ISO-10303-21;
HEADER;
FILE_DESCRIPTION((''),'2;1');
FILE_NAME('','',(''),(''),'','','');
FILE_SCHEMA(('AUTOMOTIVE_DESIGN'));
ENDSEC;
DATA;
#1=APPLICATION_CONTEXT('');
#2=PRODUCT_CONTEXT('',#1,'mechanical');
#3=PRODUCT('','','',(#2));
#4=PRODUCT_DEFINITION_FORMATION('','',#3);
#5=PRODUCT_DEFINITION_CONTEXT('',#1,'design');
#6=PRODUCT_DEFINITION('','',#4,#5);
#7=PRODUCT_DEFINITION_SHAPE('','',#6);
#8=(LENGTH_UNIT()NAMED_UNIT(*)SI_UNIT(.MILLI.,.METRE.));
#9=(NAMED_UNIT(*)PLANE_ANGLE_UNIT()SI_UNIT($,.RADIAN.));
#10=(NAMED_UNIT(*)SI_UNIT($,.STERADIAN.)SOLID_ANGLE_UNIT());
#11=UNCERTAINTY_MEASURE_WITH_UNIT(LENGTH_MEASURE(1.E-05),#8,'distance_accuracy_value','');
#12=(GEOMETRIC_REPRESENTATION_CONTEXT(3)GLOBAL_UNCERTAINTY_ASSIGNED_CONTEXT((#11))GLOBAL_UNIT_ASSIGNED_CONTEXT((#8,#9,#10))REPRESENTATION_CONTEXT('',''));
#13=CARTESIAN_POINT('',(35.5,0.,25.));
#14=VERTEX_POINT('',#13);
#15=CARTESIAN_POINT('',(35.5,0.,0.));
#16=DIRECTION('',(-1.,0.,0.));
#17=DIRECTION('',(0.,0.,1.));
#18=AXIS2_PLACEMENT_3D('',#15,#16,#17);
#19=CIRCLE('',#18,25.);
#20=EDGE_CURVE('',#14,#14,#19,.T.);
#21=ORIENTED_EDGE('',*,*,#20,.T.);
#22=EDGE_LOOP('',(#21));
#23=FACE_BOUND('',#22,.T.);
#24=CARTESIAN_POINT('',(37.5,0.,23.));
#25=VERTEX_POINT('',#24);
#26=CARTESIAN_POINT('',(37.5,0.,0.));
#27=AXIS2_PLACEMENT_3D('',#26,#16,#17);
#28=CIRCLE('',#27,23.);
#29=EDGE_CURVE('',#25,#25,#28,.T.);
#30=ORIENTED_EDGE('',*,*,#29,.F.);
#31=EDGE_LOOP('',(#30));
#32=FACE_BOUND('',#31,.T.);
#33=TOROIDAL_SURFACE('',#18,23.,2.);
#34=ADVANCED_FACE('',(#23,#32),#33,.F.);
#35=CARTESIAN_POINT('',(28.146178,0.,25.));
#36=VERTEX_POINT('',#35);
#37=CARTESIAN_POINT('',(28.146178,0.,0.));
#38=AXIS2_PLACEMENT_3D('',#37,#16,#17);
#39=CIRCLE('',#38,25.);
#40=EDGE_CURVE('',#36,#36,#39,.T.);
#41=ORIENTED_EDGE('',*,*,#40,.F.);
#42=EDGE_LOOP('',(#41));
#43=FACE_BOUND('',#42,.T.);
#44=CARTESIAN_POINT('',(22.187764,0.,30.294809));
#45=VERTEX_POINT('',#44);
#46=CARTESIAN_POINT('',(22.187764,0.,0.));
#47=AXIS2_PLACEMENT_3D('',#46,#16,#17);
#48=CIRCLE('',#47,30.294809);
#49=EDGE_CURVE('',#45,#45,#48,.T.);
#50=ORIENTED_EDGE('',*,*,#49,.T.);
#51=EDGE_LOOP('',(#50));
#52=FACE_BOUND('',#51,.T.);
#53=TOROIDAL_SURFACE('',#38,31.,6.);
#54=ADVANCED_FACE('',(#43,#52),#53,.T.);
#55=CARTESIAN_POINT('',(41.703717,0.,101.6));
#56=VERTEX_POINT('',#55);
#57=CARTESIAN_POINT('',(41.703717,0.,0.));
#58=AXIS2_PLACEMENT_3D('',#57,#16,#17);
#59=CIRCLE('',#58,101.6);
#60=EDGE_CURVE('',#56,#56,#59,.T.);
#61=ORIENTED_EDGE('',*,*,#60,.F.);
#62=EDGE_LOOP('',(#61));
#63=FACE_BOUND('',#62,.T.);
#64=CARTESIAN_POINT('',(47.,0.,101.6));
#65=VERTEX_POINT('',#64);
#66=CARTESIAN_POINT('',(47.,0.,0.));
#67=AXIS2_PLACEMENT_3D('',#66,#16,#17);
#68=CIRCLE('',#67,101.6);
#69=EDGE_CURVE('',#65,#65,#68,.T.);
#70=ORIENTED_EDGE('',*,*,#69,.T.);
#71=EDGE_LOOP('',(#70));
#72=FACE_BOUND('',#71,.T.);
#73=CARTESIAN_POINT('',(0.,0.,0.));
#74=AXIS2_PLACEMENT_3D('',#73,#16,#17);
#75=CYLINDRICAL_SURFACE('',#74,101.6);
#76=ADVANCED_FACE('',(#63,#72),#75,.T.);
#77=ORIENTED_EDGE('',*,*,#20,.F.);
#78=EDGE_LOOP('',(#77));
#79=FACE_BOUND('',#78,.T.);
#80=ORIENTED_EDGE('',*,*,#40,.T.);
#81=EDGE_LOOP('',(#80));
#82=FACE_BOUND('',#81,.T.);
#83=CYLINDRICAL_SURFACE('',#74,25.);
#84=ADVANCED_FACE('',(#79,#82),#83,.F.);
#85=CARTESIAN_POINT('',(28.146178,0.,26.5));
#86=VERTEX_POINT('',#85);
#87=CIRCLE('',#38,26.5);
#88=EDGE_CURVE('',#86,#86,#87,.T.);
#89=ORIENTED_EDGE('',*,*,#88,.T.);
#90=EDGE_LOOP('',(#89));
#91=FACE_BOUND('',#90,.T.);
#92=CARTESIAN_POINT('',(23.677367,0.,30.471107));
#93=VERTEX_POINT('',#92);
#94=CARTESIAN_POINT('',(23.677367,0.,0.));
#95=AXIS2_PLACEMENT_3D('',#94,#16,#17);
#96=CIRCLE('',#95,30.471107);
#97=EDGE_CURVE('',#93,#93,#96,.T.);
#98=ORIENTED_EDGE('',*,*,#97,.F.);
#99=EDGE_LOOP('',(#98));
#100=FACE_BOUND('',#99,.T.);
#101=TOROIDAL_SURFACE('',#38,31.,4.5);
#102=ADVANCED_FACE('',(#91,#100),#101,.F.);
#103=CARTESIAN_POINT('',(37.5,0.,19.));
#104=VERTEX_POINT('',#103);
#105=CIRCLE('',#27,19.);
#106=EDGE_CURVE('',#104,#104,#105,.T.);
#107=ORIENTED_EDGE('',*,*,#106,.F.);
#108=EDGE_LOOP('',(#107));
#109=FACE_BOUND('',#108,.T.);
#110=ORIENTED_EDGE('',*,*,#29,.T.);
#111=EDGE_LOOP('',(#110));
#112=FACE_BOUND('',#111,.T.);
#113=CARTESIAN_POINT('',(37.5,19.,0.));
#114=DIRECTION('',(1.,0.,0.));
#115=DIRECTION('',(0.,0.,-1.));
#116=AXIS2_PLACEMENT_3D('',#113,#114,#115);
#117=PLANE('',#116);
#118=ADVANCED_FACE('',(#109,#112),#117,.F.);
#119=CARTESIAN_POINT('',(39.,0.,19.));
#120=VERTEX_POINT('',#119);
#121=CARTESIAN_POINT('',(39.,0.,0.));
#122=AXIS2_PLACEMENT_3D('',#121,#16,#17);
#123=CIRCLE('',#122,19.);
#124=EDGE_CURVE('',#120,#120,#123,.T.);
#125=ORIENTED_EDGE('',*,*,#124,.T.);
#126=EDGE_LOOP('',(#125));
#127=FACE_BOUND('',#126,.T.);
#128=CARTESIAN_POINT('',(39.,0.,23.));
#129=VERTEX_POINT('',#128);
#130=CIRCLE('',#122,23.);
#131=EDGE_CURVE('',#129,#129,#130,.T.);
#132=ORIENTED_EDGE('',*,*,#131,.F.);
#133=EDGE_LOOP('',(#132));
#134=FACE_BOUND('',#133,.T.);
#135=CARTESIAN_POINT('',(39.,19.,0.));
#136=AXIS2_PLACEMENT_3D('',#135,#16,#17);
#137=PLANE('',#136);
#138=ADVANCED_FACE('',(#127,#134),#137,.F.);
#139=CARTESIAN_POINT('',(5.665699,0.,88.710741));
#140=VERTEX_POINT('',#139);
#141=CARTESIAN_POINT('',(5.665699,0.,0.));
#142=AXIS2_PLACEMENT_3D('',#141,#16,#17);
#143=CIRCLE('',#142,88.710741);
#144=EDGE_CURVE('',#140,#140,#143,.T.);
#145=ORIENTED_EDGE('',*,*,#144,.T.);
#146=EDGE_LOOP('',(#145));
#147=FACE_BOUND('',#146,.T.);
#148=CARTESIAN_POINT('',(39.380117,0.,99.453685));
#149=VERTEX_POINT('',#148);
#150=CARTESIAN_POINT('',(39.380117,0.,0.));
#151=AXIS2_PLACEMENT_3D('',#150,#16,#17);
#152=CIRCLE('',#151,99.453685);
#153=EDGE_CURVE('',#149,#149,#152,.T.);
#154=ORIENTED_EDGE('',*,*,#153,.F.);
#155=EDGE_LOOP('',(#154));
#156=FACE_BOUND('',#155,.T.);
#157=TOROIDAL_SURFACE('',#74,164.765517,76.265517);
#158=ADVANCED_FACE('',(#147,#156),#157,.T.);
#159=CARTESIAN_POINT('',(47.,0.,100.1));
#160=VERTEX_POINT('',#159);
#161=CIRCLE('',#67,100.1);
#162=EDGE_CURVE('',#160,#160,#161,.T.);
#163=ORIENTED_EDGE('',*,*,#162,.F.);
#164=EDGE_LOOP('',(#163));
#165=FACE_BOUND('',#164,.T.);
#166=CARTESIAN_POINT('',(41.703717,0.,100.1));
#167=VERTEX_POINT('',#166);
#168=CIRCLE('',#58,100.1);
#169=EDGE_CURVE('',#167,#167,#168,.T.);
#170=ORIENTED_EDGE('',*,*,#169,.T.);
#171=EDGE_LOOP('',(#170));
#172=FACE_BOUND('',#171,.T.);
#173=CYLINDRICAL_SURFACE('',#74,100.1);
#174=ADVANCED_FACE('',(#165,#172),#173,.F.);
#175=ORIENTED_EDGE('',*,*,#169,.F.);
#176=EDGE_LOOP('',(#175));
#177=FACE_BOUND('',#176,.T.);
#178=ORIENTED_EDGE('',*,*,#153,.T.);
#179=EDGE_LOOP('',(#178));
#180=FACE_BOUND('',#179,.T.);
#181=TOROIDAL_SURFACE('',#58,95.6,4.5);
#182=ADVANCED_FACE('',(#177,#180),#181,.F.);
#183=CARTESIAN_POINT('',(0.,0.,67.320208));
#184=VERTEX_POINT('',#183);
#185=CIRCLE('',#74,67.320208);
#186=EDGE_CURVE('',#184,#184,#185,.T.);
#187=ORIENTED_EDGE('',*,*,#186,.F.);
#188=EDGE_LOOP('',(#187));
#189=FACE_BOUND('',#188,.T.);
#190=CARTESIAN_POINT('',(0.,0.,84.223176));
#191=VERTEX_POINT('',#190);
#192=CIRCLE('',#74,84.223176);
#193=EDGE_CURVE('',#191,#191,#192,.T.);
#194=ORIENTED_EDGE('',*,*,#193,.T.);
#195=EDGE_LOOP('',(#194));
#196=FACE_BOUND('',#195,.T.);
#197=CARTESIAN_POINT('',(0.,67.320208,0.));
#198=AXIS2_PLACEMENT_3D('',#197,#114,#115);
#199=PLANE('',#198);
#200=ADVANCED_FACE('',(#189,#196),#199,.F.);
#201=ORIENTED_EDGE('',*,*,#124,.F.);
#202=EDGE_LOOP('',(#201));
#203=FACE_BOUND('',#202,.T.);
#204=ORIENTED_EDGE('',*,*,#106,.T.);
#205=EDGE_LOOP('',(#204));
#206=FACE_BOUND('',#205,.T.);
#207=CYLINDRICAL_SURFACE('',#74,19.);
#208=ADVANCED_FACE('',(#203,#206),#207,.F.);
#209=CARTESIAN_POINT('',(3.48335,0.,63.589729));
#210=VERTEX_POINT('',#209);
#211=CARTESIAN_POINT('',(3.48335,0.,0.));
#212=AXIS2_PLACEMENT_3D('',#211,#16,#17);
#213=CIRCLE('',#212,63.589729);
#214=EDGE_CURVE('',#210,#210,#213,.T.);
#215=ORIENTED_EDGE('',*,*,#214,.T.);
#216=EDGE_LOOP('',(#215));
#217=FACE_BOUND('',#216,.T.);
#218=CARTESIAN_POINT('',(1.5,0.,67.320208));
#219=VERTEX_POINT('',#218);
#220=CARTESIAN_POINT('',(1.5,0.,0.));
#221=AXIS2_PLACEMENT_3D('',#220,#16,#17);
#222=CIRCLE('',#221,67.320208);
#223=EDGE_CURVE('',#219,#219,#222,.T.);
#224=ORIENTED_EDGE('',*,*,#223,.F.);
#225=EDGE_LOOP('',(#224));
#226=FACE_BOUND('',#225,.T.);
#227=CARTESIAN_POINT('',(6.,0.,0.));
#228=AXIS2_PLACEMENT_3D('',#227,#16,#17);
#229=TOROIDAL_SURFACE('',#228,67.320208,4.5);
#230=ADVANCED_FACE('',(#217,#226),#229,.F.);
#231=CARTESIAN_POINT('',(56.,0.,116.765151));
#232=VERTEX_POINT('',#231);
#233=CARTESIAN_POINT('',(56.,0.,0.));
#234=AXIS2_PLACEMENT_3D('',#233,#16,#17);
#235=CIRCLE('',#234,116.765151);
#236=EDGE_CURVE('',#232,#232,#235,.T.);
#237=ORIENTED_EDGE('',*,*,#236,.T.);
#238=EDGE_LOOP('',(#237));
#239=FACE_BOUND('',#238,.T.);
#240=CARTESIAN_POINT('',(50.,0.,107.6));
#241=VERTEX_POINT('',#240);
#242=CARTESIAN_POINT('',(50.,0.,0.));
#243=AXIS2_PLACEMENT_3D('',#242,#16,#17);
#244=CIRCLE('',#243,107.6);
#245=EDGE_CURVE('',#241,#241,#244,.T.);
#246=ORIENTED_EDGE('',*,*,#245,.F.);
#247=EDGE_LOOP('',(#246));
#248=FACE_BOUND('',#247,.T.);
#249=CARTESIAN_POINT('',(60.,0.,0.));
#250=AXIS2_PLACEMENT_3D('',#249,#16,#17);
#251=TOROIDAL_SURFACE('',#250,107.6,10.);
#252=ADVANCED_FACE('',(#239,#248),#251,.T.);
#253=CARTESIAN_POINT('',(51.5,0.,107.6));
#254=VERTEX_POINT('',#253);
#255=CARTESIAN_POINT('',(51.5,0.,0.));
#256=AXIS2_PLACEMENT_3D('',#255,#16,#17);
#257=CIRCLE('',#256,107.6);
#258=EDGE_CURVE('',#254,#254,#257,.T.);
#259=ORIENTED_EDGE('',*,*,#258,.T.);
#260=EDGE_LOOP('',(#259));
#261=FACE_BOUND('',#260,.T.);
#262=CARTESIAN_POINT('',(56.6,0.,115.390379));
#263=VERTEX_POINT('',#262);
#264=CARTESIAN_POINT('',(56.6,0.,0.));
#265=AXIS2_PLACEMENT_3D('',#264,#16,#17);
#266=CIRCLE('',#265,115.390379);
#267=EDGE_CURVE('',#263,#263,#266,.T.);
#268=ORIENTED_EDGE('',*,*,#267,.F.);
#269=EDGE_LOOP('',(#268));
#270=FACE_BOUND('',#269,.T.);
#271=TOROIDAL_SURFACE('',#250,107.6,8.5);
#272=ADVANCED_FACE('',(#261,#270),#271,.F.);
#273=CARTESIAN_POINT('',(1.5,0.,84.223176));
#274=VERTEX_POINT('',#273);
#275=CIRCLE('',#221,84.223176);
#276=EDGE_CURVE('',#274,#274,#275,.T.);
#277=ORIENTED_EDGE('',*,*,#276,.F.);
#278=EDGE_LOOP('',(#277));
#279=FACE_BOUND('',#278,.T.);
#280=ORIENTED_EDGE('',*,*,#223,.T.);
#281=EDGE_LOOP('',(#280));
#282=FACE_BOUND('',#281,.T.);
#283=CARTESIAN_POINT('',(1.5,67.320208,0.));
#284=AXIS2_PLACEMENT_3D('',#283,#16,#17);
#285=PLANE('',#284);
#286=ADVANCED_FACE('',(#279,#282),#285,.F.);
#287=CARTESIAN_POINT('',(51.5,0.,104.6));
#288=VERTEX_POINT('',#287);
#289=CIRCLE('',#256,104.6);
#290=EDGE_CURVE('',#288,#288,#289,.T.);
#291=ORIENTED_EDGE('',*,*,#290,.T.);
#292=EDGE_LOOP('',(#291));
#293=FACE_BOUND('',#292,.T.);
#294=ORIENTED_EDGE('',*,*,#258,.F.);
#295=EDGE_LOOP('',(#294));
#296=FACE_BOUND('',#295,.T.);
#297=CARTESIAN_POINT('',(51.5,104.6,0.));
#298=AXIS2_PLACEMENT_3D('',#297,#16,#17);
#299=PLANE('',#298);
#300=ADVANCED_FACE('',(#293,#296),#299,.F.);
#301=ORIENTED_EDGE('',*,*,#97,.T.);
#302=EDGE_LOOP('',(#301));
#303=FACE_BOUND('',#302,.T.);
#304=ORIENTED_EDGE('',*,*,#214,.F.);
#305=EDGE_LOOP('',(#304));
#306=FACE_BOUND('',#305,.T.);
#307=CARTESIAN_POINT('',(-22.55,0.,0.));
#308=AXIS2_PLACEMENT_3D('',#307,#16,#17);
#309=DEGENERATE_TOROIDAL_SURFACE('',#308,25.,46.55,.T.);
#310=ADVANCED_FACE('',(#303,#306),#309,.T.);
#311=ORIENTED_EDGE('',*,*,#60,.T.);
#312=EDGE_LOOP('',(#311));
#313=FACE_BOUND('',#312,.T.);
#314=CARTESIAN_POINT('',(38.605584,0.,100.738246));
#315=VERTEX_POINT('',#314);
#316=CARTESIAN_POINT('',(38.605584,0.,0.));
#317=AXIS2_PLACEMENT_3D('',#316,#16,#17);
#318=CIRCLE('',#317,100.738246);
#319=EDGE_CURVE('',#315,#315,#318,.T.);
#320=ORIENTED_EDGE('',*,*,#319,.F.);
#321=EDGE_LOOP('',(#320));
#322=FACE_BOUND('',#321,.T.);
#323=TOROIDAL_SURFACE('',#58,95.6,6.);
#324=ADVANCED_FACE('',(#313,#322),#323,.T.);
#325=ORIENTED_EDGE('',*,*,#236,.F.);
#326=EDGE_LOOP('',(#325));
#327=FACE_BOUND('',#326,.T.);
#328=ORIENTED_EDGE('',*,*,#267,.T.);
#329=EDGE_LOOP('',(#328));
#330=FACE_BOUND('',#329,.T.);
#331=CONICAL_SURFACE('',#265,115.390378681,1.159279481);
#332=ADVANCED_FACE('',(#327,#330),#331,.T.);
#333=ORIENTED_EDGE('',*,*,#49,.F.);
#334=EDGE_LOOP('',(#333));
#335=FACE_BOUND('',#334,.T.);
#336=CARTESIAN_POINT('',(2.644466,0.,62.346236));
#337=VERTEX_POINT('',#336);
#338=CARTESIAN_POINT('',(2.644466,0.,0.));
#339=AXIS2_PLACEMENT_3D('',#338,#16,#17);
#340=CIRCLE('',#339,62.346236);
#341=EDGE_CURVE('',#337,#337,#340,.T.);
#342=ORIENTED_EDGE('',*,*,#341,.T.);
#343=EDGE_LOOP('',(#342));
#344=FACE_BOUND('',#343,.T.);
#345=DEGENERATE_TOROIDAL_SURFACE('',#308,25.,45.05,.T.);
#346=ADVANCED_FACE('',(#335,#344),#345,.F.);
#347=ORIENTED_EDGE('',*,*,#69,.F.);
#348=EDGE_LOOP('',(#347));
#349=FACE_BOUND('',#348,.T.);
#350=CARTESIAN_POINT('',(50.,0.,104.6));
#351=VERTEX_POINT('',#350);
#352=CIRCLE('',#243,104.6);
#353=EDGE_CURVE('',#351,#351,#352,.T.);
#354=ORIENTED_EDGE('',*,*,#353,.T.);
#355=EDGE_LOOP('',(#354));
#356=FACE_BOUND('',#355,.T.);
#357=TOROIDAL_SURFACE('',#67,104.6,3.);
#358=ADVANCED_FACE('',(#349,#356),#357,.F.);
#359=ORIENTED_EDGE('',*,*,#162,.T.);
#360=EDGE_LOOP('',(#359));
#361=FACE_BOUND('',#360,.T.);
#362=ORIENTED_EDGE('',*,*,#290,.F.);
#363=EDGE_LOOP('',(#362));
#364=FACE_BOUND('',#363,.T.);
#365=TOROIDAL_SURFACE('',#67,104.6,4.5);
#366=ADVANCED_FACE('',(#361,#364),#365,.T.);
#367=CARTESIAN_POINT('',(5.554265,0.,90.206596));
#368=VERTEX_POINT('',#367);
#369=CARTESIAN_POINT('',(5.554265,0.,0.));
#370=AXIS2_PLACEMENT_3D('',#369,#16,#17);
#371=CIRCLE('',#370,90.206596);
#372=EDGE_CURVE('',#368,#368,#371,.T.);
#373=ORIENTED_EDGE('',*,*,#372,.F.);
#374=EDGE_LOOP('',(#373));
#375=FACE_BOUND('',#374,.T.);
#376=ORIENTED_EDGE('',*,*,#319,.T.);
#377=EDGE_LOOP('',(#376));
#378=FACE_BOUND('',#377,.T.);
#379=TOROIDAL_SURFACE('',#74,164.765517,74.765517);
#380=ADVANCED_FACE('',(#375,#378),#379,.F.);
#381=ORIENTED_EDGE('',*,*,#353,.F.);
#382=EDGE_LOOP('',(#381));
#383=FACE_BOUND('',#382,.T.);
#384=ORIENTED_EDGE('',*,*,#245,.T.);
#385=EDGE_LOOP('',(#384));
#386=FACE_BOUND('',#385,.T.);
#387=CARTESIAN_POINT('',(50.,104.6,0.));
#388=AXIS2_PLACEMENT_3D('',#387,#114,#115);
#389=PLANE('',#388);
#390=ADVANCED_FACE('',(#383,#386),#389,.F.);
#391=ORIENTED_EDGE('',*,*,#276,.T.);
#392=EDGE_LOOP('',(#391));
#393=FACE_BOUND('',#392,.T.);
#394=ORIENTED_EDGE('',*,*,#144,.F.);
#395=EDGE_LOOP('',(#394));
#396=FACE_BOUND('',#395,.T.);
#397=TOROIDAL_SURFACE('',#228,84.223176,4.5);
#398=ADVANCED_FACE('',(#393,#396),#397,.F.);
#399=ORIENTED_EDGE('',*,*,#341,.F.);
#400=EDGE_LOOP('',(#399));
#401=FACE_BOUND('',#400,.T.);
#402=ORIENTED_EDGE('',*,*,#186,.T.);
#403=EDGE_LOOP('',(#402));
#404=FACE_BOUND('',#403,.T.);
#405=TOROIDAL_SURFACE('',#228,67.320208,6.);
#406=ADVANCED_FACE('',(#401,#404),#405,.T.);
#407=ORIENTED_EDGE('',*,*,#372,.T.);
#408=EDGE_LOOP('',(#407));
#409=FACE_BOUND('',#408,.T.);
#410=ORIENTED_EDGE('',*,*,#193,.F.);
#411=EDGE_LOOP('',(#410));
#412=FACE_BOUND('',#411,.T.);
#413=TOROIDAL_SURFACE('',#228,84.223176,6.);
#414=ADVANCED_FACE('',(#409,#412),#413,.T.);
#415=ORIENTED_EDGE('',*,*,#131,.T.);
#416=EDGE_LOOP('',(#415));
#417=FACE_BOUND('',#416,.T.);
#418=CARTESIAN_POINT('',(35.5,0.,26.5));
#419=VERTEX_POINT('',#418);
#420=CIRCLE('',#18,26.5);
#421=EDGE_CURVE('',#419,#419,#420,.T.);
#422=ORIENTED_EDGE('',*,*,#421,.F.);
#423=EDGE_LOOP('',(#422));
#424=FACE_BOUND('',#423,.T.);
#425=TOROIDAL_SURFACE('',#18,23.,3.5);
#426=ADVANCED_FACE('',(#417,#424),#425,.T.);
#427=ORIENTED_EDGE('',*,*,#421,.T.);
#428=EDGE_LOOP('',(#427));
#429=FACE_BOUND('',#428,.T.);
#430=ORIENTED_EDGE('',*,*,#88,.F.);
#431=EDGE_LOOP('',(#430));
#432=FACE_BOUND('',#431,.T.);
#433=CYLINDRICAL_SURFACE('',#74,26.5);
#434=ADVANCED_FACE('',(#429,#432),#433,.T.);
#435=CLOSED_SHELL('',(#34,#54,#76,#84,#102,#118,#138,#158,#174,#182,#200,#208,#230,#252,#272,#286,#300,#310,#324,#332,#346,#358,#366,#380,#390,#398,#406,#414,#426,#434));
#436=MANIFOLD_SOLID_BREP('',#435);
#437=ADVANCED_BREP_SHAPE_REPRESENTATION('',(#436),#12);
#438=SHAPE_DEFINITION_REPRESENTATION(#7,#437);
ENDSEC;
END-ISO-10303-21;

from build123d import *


with BuildPart() as part:
    # Sketch1 → Revolve1 (revolve)
    with BuildSketch(Plane.XY):
        with BuildLine():
            Line((37.5, 19), (37.5, 23))
            ThreePointArc((37.5, 23), (36.914213562, 24.414213562), (35.5, 25))
            Line((35.5, 25), (28.146178357, 25))
            ThreePointArc((28.146178357, 25), (24.160651161, 26.514961208), (22.187763663, 30.294809011))
            ThreePointArc((22.187763663, 30.294809011), (15.913654181, 48.453140664), (2.64446621, 62.346236389))
            ThreePointArc((2.64446621, 62.346236389), (0.702207878, 64.503578991), (0, 67.320207939))
            Line((0, 67.320207939), (0, 84.223175735))
            ThreePointArc((0, 84.223175735), (1.602591179, 88.305184513), (5.554265221, 90.206596204))
            ThreePointArc((5.554265221, 90.206596204), (22.69916262, 93.529075832), (38.605584022, 100.738246093))
            ThreePointArc((38.605584022, 100.738246093), (40.095841953, 101.380548268), (41.703716861, 101.6))
            Line((41.703716861, 101.6), (47, 101.6))
            ThreePointArc((47, 101.6), (49.121320344, 102.478679656), (50, 104.6))
            Line((50, 104.6), (50, 107.6))
            ThreePointArc((50, 107.6), (51.633399735, 113.077225575), (56, 116.76515139))
            Line((56, 116.76515139), (56.6, 115.390378681))
            ThreePointArc((56.6, 115.390378681), (52.888389774, 112.255641739), (51.5, 107.6))
            Line((51.5, 107.6), (51.5, 104.6))
            ThreePointArc((51.5, 104.6), (50.181980515, 101.418019485), (47, 100.1))
            Line((47, 100.1), (41.703716861, 100.1))
            ThreePointArc((41.703716861, 100.1), (40.49781068, 99.935411201), (39.380117232, 99.45368457))
            ThreePointArc((39.380117232, 99.45368457), (23.154569674, 92.099878709), (5.665698916, 88.710741087))
            ThreePointArc((5.665698916, 88.710741087), (2.701943384, 87.284682319), (1.5, 84.223175735))
            Line((1.5, 84.223175735), (1.5, 67.320207939))
            ThreePointArc((1.5, 67.320207939), (2.026655908, 65.207736228), (3.483349657, 63.589729276))
            ThreePointArc((3.483349657, 63.589729276), (17.194352989, 49.234044349), (23.677367336, 30.471106758))
            ThreePointArc((23.677367336, 30.471106758), (25.15703296, 27.636220906), (28.146178357, 26.5))
            Line((28.146178357, 26.5), (35.5, 26.5))
            ThreePointArc((35.5, 26.5), (37.974873734, 25.474873734), (39, 23))
            Line((39, 23), (39, 19))
            Line((39, 19), (37.5, 19))
        make_face()
    revolve(axis=Axis((0, 0, 0), (1, 0, 0)))


solid = part.part
